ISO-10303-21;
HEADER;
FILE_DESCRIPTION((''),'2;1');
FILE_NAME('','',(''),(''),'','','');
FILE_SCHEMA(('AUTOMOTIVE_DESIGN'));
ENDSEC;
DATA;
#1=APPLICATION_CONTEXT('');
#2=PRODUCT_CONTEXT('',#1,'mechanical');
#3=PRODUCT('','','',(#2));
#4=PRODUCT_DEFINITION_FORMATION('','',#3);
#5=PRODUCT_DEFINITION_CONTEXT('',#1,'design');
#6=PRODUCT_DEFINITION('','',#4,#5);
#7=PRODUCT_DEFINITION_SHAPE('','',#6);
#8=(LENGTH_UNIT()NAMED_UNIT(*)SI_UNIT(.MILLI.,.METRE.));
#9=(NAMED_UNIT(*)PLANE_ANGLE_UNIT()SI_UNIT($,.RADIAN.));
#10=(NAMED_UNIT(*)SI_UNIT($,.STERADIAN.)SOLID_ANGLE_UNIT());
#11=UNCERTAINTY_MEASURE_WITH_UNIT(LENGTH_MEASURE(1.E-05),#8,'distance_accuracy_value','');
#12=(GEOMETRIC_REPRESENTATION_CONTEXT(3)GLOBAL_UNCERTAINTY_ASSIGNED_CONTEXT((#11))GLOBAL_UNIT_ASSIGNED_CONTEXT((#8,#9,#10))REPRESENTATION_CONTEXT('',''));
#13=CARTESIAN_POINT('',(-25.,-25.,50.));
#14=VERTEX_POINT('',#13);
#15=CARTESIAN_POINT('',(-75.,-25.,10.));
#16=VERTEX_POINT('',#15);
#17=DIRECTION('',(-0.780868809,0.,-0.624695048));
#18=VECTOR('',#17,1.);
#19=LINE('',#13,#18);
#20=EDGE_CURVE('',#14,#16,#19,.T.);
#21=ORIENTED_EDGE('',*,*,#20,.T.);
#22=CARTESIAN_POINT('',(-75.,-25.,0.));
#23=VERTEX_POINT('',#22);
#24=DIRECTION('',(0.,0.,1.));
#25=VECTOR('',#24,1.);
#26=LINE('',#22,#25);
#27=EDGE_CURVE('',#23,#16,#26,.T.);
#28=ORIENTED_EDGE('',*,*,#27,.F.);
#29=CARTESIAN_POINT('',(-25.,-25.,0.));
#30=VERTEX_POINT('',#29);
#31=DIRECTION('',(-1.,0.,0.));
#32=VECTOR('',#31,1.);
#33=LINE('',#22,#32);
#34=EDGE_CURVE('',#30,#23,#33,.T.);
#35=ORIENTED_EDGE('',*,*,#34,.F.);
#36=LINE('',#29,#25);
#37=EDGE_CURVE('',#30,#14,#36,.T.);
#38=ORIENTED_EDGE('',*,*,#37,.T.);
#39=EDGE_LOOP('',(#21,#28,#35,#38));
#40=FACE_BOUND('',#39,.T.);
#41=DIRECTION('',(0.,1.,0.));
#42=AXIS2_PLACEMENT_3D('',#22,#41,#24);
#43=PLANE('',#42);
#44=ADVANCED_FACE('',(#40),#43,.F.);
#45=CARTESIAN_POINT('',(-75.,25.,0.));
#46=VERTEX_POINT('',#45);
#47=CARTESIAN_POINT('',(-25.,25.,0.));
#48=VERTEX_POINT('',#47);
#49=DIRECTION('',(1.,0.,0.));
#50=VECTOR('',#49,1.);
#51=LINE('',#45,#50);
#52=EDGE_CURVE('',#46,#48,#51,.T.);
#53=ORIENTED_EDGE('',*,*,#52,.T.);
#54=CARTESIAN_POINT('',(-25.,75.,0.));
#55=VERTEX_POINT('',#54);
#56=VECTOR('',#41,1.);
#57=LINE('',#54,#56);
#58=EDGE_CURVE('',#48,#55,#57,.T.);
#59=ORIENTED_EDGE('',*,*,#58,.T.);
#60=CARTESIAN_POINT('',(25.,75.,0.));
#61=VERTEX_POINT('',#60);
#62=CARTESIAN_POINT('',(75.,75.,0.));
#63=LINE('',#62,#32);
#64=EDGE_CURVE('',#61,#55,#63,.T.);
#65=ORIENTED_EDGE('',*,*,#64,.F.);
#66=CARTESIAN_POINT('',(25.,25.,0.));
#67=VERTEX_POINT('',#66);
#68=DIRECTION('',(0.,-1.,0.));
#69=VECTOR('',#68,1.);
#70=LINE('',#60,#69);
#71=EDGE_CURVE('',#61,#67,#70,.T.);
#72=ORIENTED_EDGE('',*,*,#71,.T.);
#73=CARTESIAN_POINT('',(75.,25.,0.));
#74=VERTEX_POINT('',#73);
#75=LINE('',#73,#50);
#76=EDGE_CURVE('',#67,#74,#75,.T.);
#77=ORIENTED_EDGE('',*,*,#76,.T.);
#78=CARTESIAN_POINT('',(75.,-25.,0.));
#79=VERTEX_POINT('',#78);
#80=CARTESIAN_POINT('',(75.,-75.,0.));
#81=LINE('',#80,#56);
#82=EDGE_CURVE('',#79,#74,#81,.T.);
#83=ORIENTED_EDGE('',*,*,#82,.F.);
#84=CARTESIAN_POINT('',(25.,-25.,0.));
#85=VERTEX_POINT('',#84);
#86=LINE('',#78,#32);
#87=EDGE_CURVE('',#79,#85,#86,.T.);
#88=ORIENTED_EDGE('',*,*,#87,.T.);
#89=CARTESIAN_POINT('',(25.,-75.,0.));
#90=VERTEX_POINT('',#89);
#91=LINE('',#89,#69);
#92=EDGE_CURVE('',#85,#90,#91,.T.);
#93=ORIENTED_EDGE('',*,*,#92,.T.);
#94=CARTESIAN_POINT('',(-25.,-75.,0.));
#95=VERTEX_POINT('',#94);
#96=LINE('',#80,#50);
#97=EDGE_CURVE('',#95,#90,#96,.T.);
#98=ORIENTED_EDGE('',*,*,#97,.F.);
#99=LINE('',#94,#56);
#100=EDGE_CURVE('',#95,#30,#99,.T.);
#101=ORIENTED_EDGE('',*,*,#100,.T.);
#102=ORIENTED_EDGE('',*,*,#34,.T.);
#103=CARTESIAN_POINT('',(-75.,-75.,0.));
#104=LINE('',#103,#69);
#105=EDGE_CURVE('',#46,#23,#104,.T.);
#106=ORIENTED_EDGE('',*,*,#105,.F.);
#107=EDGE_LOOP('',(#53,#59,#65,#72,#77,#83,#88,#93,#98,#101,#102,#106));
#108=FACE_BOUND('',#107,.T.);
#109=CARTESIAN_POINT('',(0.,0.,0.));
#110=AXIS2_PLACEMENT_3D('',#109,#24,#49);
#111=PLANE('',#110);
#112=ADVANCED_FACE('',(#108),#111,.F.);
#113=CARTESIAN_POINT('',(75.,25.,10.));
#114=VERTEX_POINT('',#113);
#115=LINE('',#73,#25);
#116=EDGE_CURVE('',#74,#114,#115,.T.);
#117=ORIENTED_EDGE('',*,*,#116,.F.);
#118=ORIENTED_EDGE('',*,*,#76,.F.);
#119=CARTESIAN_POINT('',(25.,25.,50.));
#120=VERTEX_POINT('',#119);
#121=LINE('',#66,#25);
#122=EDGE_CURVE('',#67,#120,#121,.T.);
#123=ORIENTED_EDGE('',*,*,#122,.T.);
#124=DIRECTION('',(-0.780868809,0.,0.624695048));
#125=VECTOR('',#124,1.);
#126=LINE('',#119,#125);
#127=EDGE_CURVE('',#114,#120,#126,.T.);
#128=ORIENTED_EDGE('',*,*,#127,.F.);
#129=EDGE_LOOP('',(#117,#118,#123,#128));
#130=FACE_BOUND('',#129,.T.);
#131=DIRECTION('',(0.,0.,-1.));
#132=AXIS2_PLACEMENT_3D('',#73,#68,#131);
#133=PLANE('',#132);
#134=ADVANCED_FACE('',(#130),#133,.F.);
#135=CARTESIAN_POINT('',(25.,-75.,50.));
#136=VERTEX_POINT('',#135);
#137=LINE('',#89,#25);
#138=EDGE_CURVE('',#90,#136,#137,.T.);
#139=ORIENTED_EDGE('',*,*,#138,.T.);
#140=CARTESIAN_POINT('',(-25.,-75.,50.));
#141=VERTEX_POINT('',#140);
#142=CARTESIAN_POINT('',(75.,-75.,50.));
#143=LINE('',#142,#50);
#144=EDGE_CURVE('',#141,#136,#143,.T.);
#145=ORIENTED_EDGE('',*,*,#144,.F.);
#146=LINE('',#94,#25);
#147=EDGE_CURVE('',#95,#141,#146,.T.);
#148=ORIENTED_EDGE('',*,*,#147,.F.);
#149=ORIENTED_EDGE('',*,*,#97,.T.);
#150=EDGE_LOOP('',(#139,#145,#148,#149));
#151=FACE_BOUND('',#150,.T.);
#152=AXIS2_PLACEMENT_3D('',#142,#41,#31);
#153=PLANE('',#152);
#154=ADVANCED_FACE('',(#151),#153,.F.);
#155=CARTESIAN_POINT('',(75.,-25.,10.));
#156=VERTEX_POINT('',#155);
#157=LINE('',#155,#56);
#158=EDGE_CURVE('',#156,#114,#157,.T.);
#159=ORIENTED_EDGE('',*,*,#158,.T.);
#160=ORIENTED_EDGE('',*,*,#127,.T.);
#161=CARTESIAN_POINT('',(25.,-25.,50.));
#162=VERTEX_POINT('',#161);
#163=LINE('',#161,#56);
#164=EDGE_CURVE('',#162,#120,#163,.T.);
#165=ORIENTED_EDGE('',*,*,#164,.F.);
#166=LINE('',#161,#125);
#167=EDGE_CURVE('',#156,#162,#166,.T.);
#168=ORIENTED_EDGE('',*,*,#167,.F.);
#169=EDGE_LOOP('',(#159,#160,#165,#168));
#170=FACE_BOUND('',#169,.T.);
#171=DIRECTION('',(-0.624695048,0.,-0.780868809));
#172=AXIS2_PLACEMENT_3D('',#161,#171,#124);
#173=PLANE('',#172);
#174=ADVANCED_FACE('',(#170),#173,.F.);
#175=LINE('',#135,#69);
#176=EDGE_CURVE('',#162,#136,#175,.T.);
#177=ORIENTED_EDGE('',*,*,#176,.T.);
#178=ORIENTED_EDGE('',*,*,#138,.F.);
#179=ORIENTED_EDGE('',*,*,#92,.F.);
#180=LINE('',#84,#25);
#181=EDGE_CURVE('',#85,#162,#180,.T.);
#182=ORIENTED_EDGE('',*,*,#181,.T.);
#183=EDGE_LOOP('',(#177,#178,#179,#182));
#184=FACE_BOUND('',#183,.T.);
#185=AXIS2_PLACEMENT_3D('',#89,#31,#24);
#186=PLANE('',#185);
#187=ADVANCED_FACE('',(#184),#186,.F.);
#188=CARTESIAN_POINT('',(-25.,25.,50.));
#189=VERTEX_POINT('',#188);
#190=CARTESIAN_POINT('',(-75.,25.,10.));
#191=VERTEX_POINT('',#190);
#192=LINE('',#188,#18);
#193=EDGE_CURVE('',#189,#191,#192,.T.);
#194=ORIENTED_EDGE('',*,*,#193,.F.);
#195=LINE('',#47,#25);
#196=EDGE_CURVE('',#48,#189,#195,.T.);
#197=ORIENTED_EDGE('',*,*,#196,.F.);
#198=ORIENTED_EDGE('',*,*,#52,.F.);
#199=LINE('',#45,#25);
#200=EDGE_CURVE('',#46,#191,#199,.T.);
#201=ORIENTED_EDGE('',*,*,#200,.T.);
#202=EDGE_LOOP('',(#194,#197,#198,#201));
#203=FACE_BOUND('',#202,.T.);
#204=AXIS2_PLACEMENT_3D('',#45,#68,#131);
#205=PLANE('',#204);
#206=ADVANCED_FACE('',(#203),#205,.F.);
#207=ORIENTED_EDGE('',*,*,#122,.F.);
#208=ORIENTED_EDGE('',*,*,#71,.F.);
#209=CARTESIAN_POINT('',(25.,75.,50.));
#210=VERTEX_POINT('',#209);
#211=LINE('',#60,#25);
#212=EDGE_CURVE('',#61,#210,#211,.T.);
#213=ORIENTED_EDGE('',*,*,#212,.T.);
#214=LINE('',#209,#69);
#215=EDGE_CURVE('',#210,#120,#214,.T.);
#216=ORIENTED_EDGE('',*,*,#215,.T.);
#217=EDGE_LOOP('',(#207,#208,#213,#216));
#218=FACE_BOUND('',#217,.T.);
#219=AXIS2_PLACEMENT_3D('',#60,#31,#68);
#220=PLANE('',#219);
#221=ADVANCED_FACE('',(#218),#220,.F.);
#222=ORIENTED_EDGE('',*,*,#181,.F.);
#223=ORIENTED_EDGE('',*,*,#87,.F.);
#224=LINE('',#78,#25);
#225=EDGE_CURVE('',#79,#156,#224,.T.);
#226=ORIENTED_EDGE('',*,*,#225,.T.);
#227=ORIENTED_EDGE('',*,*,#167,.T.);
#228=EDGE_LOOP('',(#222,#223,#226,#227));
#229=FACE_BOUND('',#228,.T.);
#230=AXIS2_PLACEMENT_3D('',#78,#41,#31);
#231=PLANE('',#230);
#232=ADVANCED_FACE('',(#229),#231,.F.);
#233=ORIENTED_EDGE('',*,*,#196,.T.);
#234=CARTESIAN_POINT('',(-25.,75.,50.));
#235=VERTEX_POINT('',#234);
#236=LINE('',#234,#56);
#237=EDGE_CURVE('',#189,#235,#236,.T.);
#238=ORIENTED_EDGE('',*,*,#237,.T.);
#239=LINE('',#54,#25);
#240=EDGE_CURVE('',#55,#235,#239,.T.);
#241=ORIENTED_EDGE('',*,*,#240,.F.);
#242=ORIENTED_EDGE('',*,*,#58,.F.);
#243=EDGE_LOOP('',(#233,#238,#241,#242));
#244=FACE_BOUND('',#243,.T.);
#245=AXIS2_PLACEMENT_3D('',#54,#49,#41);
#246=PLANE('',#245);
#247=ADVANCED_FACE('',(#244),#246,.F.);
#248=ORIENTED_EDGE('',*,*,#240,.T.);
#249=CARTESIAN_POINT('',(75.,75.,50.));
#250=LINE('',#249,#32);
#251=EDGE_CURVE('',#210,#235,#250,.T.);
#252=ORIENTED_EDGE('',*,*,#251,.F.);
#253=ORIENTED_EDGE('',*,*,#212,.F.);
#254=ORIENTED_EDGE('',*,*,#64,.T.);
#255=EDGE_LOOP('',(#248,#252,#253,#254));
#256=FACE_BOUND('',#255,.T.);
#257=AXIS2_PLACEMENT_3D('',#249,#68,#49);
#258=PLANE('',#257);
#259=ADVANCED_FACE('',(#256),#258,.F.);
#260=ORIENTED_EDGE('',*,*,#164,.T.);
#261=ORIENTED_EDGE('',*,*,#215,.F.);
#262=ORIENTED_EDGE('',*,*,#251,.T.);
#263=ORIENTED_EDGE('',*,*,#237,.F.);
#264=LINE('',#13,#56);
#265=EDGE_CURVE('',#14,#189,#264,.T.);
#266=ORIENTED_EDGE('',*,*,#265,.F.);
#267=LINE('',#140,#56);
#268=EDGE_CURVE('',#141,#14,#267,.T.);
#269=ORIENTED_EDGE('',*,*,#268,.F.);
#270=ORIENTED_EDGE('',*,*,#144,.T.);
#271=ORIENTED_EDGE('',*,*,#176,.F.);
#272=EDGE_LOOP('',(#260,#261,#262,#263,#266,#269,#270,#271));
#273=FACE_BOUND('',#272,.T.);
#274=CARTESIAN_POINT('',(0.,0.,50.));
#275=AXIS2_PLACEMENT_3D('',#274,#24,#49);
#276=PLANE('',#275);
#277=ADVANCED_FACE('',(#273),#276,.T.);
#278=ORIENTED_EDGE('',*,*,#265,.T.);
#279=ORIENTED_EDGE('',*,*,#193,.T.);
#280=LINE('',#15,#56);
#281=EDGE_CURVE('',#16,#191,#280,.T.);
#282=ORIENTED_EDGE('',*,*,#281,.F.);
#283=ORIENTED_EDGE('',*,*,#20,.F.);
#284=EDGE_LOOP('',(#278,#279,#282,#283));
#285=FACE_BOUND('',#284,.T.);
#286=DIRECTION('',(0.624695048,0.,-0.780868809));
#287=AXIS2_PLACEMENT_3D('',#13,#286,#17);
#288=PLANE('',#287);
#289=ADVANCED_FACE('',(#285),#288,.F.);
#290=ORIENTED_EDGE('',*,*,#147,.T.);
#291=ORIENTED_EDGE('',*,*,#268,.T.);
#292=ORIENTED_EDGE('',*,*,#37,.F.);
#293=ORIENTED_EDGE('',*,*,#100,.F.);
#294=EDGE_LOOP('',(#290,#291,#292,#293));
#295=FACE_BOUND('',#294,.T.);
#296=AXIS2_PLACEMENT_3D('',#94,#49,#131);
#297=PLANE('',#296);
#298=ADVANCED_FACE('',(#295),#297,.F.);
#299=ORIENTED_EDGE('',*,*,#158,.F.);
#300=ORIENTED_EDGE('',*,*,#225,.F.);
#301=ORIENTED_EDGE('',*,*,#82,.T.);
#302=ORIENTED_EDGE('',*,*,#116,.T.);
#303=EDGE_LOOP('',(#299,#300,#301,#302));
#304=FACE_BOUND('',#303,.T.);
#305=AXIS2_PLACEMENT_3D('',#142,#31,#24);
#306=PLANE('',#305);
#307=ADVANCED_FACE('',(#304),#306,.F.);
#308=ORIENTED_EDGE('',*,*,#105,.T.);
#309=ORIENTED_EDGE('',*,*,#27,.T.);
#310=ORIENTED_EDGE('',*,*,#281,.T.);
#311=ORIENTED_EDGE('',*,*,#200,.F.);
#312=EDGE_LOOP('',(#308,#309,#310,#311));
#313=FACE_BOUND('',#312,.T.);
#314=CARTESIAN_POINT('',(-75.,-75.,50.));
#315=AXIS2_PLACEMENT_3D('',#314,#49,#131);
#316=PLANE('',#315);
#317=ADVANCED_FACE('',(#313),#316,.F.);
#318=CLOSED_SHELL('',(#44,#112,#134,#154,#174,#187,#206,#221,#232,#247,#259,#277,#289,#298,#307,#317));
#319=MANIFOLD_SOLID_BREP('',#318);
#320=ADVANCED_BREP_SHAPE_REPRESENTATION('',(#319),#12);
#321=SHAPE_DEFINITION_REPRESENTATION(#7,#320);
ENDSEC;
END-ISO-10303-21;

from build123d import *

# Parameters (mm, degrees)
SKETCH1_W           = 150
SKETCH1_H           = 150
BOSS_EXTRUDE1_DEPTH = 50
SKETCH2_W           = 50
SKETCH2_H           = 50
CUT_EXTRUDE1_DEPTH  = 50
CUT_EXTRUDE2_DEPTH  = 50


with BuildPart() as part:
    # Sketch1 → Boss-Extrude1 (new body)
    with BuildSketch(Plane.XY):
        Rectangle(SKETCH1_W, SKETCH1_H)
    extrude(amount=BOSS_EXTRUDE1_DEPTH)

    # Sketch2 → Cut-Extrude1 (cut)
    with BuildSketch(Plane.XY.offset(50)):
        with Locations((-50, 50)):
            Rectangle(SKETCH2_W, SKETCH2_H)
        with Locations((50, 50)):
            Rectangle(SKETCH2_W, SKETCH2_H)
        with Locations((50, -50)):
            Rectangle(SKETCH2_W, SKETCH2_H)
        with Locations((-50, -50)):
            Rectangle(SKETCH2_W, SKETCH2_H)
    extrude(amount=-CUT_EXTRUDE1_DEPTH, mode=Mode.SUBTRACT)

    # Sketch3 → Cut-Extrude2 (cut)
    with BuildSketch(Plane(origin=(0, 25, 0), x_dir=(1, 0, 0), z_dir=(0, 1, 0))):
        Polygon((25, -50), (75, -10), (75, -50), align=None)
        Polygon((-75, -10), (-75, -50), (-25, -50), align=None)
    extrude(amount=-CUT_EXTRUDE2_DEPTH, mode=Mode.SUBTRACT)


solid = part.part
